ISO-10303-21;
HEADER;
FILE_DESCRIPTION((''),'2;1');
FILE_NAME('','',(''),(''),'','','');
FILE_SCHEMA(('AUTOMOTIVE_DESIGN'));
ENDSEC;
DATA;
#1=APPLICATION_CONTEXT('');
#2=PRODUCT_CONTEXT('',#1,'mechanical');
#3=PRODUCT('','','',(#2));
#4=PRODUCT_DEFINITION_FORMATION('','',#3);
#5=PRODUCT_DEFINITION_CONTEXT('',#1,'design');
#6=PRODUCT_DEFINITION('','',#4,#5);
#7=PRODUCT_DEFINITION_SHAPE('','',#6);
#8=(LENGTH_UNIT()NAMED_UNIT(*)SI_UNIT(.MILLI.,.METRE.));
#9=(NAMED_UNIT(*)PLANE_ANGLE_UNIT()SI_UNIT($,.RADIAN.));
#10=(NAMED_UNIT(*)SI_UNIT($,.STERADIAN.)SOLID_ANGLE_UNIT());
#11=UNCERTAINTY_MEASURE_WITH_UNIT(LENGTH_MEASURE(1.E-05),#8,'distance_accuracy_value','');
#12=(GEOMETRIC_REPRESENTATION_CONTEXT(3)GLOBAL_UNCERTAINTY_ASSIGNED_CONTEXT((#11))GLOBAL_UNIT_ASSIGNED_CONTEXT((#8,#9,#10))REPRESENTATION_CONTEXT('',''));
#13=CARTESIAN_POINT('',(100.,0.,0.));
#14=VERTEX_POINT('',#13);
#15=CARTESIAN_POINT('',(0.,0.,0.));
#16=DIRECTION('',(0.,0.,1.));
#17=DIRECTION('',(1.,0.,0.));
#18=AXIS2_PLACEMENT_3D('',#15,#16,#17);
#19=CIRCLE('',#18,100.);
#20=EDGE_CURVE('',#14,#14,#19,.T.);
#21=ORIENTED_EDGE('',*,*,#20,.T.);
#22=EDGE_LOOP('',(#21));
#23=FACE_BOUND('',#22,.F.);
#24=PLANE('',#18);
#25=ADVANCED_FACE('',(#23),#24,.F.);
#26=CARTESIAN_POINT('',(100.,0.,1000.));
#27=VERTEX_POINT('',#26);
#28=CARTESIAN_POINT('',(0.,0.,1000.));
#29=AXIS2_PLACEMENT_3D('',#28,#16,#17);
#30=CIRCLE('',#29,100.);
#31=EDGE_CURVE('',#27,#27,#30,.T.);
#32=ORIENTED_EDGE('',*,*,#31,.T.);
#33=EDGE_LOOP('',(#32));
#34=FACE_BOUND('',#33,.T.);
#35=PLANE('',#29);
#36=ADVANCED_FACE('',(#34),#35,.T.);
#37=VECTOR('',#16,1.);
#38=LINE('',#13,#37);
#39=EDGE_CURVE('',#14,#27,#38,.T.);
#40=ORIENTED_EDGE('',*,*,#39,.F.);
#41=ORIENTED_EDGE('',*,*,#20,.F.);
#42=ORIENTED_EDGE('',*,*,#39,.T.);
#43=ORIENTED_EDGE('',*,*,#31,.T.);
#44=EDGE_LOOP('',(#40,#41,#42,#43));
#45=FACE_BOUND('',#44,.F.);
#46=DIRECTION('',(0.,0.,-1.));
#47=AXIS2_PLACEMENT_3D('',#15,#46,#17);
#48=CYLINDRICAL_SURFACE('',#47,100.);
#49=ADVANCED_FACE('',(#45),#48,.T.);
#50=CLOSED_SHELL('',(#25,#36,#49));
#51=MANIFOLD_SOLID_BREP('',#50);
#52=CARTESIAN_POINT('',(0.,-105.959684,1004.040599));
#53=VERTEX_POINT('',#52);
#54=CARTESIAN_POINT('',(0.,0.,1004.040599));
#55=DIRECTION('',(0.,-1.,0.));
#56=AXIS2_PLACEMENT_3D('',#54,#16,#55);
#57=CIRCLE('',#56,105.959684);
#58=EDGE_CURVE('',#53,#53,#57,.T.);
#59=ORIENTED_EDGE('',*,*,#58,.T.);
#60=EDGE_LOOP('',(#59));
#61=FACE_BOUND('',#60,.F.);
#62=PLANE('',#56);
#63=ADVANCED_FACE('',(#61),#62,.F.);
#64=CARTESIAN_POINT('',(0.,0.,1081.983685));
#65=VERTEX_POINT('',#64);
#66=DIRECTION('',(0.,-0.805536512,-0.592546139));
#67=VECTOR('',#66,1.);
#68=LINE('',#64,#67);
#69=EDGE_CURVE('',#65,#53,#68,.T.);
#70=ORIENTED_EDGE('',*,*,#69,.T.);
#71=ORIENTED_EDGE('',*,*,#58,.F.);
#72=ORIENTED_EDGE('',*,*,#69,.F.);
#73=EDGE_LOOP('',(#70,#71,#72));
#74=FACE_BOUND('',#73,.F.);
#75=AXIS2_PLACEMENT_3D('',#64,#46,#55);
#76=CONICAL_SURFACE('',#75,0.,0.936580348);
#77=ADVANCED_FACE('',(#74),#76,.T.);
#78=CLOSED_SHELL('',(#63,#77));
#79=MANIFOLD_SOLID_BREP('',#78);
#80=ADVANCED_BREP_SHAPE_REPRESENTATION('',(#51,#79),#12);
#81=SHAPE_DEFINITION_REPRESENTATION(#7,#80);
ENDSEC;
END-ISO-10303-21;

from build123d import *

# Parameters (mm, degrees)
F0_R     = 100
F1_DEPTH = 1000


with BuildPart() as f1:
    # F0 (on Top) → F1 (new body)
    with BuildSketch(Plane.XY):
        Circle(F0_R)
    extrude(amount=F1_DEPTH)


with BuildPart() as f3:
    # F2 (on Right) → F3 (revolve)
    with BuildSketch(Plane.YZ):
        Polygon((-105.959684, 1004.040599), (0, 1004.040599), (0, 1081.983685), align=None)
    revolve(axis=Axis((0, 0, 1043.012142), (0, 0, 1)))


solid = Compound([f1.part, f3.part])
